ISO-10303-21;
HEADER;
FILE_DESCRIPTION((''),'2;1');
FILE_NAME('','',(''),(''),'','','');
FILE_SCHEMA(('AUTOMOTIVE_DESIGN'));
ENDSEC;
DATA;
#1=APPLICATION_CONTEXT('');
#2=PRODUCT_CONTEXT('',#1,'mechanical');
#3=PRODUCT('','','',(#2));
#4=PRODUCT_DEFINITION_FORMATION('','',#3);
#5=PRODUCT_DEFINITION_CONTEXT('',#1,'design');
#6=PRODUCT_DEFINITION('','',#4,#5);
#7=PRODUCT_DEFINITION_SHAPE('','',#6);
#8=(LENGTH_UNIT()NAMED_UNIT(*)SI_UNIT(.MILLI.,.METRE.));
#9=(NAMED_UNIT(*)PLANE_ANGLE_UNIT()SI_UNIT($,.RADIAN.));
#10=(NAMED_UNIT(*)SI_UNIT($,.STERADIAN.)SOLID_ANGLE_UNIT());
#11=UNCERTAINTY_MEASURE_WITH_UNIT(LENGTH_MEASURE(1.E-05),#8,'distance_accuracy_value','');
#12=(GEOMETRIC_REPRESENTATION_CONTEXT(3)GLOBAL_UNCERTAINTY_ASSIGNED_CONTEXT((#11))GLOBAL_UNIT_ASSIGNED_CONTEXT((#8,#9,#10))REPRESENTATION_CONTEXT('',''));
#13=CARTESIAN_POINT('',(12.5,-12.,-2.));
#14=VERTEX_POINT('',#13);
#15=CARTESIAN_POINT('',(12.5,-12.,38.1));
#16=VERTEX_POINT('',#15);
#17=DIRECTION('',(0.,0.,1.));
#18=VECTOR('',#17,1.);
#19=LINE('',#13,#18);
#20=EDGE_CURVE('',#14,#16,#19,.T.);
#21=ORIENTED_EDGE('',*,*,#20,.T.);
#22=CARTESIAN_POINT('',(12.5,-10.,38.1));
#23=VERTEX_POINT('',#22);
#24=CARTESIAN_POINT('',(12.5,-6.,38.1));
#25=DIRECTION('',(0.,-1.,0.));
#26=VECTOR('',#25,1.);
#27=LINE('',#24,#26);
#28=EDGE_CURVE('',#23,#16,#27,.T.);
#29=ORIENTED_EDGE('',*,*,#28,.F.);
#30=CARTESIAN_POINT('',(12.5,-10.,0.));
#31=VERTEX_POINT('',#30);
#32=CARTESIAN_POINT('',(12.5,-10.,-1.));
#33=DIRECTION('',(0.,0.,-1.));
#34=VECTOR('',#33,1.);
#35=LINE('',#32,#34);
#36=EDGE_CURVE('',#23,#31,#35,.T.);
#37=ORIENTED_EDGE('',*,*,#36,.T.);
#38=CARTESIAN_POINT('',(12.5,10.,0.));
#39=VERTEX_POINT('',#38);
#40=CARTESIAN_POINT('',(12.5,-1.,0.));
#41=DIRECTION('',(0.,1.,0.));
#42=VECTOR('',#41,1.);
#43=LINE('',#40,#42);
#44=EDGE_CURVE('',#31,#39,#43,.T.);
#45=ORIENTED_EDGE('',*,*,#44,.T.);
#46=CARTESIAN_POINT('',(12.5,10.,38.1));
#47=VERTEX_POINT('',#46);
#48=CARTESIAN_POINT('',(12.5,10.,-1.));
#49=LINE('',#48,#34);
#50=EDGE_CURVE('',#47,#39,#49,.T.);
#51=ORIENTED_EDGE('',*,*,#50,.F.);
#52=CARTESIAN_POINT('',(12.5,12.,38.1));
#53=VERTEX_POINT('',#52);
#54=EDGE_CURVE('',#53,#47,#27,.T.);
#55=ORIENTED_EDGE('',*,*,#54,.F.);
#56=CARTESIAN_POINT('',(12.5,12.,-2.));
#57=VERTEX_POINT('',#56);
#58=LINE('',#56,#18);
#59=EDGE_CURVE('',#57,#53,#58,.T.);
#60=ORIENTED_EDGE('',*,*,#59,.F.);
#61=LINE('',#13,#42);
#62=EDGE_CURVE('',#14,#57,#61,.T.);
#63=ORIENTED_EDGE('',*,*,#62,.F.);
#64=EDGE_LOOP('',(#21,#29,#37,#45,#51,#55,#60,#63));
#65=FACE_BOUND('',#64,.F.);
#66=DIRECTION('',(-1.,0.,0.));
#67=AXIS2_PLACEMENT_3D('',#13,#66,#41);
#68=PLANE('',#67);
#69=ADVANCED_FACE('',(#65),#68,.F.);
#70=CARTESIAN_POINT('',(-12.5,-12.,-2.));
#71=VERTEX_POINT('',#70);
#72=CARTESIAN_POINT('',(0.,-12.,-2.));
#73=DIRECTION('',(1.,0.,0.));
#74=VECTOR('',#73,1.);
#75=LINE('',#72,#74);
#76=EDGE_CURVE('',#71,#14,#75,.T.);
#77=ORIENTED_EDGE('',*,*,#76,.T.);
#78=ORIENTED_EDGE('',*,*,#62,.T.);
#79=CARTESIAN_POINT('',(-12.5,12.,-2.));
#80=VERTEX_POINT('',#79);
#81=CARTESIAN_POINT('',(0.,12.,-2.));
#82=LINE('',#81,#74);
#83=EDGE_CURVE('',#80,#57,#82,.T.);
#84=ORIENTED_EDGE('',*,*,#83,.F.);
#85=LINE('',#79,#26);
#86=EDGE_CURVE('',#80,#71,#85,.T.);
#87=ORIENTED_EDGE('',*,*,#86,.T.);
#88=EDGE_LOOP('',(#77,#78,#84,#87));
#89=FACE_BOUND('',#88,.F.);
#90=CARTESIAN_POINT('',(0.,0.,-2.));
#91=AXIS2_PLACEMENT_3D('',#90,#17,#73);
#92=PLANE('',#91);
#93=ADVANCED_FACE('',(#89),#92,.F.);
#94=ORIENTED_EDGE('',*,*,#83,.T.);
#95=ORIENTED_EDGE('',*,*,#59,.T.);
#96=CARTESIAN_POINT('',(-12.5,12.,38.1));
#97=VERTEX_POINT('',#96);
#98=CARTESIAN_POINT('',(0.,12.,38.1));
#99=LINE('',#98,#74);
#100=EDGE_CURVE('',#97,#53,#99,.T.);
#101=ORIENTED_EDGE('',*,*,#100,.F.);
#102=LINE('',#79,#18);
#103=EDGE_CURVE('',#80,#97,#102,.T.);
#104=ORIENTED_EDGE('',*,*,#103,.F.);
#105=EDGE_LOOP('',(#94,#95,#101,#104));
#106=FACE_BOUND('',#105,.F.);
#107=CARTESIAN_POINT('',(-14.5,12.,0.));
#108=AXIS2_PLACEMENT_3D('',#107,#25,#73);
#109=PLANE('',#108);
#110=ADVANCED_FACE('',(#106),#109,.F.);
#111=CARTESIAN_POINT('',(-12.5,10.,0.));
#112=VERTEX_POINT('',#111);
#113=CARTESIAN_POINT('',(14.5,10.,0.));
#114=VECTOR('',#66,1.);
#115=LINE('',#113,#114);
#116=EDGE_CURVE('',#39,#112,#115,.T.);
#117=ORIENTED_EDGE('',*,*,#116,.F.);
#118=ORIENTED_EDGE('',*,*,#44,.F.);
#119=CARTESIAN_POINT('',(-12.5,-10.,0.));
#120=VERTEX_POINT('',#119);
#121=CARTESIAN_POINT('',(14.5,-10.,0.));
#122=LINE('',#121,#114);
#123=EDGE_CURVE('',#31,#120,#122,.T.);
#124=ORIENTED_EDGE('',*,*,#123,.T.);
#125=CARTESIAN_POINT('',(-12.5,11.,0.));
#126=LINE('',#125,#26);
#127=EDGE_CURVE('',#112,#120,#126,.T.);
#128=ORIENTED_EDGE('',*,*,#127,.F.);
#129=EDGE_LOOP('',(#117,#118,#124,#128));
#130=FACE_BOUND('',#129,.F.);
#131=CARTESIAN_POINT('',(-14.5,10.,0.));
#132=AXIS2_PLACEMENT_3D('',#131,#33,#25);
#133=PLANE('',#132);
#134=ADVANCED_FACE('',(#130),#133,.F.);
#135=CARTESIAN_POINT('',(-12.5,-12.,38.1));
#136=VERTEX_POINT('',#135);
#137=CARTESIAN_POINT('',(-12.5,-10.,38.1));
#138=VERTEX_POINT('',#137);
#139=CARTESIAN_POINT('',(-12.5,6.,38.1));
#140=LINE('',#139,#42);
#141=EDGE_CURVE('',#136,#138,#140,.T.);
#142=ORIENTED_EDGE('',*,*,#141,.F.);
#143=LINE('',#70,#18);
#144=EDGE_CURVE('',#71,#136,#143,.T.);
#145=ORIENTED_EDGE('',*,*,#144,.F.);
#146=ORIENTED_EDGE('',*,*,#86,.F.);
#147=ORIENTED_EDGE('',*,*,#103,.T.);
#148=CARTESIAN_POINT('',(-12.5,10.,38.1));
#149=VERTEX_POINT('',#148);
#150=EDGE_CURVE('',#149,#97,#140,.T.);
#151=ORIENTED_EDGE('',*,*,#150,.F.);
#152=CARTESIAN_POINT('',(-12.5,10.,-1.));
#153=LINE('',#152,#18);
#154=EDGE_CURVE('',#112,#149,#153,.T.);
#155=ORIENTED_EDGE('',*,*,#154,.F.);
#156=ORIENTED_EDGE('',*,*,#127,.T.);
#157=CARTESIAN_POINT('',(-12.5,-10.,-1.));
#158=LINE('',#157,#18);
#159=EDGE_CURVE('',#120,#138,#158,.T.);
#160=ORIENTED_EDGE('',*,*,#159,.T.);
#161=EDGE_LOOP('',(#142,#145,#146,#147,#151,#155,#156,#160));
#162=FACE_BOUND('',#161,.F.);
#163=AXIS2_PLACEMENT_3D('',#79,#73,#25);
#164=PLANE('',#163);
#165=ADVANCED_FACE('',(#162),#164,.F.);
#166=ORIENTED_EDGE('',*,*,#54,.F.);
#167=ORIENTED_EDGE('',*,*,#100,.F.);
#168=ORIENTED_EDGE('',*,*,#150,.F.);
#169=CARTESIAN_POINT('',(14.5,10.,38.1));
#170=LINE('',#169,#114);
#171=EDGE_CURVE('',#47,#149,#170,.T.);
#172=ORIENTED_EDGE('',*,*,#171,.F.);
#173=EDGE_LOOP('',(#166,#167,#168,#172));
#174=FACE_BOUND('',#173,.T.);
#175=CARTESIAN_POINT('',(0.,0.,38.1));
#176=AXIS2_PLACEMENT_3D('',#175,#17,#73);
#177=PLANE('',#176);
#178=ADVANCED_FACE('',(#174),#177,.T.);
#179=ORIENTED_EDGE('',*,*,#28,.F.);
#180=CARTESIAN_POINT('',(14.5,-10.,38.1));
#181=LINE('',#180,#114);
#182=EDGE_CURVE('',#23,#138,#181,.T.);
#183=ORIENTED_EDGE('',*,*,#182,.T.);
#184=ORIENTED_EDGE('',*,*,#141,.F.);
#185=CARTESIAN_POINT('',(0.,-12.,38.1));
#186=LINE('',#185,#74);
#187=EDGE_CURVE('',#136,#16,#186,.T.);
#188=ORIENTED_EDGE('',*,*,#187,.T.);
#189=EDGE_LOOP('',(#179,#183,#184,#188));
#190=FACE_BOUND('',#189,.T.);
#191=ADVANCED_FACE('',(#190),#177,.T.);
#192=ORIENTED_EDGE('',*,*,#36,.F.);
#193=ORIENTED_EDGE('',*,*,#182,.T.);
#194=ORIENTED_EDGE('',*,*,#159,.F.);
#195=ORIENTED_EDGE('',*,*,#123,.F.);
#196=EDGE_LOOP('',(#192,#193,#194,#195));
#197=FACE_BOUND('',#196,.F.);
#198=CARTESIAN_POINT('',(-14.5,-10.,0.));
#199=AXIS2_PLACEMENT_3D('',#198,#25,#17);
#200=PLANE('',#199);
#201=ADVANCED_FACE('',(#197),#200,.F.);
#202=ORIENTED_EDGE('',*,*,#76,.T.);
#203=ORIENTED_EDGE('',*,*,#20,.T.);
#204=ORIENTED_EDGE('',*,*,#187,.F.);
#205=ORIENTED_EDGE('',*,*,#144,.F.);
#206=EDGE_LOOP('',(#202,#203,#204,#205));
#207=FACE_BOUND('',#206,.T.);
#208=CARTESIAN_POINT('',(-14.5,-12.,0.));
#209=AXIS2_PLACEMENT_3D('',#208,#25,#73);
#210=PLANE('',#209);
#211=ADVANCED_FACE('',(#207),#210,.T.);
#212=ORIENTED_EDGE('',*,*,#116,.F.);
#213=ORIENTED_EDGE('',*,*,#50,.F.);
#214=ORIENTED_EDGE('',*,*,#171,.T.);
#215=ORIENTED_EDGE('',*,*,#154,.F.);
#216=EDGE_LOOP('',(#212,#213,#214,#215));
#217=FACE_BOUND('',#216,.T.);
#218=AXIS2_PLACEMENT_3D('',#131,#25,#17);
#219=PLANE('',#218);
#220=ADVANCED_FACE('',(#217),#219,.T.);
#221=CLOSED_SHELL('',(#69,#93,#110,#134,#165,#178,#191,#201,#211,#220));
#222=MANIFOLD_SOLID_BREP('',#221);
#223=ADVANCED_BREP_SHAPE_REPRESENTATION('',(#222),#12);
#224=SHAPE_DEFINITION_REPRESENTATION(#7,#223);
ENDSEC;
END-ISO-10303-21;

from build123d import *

# Parameters (mm, degrees)
F0_W     = 29
F0_H     = 24
F0_W_2   = 25
F0_H_2   = 20
F1_DEPTH = 38.1
F2_DEPTH = 2
F3_W     = 20
F3_H     = 38.1
F4_DEPTH = 29.001
F6_DEPTH = 40.101


with BuildPart() as f1:
    # F0 (on Top) → F1 (new body)
    with BuildSketch(Plane.XY):
        Rectangle(F0_W, F0_H)
        Rectangle(F0_W_2, F0_H_2, mode=Mode.SUBTRACT)
    extrude(amount=F1_DEPTH)

    # F0 (on Top) → F2 (join)
    with BuildSketch(Plane.XY):
        Rectangle(F0_W, F0_H)
        Rectangle(F0_W_2, F0_H_2, mode=Mode.SUBTRACT)
        Rectangle(F0_W_2, F0_H_2)
    extrude(amount=-F2_DEPTH)

    # F3 (on face) → F4 (cut, through all)
    with BuildSketch(Plane(origin=(-14.5, 0, 0), x_dir=(0, -1, 0), z_dir=(-1, 0, 0))):
        with Locations((0, 19.05)):
            Rectangle(F3_W, F3_H)
    extrude(amount=-F4_DEPTH, mode=Mode.SUBTRACT)

    # F5 (on face) → F6 (cut, through all)
    with BuildSketch(Plane(origin=(0, 0, -2), x_dir=(1, 0, 0), z_dir=(0, 0, -1))):
        Polygon((-12.5, 10), (-12.5, 12), (-14.5, 12), (-14.5, -12), (-12.5, -12), (-12.5, -10), align=None)
        Polygon((14.5, -12), (14.5, 12), (12.5, 12), (12.5, 10), (12.5, -10), (12.5, -12), align=None)
    extrude(amount=-F6_DEPTH, mode=Mode.SUBTRACT)


solid = f1.part
